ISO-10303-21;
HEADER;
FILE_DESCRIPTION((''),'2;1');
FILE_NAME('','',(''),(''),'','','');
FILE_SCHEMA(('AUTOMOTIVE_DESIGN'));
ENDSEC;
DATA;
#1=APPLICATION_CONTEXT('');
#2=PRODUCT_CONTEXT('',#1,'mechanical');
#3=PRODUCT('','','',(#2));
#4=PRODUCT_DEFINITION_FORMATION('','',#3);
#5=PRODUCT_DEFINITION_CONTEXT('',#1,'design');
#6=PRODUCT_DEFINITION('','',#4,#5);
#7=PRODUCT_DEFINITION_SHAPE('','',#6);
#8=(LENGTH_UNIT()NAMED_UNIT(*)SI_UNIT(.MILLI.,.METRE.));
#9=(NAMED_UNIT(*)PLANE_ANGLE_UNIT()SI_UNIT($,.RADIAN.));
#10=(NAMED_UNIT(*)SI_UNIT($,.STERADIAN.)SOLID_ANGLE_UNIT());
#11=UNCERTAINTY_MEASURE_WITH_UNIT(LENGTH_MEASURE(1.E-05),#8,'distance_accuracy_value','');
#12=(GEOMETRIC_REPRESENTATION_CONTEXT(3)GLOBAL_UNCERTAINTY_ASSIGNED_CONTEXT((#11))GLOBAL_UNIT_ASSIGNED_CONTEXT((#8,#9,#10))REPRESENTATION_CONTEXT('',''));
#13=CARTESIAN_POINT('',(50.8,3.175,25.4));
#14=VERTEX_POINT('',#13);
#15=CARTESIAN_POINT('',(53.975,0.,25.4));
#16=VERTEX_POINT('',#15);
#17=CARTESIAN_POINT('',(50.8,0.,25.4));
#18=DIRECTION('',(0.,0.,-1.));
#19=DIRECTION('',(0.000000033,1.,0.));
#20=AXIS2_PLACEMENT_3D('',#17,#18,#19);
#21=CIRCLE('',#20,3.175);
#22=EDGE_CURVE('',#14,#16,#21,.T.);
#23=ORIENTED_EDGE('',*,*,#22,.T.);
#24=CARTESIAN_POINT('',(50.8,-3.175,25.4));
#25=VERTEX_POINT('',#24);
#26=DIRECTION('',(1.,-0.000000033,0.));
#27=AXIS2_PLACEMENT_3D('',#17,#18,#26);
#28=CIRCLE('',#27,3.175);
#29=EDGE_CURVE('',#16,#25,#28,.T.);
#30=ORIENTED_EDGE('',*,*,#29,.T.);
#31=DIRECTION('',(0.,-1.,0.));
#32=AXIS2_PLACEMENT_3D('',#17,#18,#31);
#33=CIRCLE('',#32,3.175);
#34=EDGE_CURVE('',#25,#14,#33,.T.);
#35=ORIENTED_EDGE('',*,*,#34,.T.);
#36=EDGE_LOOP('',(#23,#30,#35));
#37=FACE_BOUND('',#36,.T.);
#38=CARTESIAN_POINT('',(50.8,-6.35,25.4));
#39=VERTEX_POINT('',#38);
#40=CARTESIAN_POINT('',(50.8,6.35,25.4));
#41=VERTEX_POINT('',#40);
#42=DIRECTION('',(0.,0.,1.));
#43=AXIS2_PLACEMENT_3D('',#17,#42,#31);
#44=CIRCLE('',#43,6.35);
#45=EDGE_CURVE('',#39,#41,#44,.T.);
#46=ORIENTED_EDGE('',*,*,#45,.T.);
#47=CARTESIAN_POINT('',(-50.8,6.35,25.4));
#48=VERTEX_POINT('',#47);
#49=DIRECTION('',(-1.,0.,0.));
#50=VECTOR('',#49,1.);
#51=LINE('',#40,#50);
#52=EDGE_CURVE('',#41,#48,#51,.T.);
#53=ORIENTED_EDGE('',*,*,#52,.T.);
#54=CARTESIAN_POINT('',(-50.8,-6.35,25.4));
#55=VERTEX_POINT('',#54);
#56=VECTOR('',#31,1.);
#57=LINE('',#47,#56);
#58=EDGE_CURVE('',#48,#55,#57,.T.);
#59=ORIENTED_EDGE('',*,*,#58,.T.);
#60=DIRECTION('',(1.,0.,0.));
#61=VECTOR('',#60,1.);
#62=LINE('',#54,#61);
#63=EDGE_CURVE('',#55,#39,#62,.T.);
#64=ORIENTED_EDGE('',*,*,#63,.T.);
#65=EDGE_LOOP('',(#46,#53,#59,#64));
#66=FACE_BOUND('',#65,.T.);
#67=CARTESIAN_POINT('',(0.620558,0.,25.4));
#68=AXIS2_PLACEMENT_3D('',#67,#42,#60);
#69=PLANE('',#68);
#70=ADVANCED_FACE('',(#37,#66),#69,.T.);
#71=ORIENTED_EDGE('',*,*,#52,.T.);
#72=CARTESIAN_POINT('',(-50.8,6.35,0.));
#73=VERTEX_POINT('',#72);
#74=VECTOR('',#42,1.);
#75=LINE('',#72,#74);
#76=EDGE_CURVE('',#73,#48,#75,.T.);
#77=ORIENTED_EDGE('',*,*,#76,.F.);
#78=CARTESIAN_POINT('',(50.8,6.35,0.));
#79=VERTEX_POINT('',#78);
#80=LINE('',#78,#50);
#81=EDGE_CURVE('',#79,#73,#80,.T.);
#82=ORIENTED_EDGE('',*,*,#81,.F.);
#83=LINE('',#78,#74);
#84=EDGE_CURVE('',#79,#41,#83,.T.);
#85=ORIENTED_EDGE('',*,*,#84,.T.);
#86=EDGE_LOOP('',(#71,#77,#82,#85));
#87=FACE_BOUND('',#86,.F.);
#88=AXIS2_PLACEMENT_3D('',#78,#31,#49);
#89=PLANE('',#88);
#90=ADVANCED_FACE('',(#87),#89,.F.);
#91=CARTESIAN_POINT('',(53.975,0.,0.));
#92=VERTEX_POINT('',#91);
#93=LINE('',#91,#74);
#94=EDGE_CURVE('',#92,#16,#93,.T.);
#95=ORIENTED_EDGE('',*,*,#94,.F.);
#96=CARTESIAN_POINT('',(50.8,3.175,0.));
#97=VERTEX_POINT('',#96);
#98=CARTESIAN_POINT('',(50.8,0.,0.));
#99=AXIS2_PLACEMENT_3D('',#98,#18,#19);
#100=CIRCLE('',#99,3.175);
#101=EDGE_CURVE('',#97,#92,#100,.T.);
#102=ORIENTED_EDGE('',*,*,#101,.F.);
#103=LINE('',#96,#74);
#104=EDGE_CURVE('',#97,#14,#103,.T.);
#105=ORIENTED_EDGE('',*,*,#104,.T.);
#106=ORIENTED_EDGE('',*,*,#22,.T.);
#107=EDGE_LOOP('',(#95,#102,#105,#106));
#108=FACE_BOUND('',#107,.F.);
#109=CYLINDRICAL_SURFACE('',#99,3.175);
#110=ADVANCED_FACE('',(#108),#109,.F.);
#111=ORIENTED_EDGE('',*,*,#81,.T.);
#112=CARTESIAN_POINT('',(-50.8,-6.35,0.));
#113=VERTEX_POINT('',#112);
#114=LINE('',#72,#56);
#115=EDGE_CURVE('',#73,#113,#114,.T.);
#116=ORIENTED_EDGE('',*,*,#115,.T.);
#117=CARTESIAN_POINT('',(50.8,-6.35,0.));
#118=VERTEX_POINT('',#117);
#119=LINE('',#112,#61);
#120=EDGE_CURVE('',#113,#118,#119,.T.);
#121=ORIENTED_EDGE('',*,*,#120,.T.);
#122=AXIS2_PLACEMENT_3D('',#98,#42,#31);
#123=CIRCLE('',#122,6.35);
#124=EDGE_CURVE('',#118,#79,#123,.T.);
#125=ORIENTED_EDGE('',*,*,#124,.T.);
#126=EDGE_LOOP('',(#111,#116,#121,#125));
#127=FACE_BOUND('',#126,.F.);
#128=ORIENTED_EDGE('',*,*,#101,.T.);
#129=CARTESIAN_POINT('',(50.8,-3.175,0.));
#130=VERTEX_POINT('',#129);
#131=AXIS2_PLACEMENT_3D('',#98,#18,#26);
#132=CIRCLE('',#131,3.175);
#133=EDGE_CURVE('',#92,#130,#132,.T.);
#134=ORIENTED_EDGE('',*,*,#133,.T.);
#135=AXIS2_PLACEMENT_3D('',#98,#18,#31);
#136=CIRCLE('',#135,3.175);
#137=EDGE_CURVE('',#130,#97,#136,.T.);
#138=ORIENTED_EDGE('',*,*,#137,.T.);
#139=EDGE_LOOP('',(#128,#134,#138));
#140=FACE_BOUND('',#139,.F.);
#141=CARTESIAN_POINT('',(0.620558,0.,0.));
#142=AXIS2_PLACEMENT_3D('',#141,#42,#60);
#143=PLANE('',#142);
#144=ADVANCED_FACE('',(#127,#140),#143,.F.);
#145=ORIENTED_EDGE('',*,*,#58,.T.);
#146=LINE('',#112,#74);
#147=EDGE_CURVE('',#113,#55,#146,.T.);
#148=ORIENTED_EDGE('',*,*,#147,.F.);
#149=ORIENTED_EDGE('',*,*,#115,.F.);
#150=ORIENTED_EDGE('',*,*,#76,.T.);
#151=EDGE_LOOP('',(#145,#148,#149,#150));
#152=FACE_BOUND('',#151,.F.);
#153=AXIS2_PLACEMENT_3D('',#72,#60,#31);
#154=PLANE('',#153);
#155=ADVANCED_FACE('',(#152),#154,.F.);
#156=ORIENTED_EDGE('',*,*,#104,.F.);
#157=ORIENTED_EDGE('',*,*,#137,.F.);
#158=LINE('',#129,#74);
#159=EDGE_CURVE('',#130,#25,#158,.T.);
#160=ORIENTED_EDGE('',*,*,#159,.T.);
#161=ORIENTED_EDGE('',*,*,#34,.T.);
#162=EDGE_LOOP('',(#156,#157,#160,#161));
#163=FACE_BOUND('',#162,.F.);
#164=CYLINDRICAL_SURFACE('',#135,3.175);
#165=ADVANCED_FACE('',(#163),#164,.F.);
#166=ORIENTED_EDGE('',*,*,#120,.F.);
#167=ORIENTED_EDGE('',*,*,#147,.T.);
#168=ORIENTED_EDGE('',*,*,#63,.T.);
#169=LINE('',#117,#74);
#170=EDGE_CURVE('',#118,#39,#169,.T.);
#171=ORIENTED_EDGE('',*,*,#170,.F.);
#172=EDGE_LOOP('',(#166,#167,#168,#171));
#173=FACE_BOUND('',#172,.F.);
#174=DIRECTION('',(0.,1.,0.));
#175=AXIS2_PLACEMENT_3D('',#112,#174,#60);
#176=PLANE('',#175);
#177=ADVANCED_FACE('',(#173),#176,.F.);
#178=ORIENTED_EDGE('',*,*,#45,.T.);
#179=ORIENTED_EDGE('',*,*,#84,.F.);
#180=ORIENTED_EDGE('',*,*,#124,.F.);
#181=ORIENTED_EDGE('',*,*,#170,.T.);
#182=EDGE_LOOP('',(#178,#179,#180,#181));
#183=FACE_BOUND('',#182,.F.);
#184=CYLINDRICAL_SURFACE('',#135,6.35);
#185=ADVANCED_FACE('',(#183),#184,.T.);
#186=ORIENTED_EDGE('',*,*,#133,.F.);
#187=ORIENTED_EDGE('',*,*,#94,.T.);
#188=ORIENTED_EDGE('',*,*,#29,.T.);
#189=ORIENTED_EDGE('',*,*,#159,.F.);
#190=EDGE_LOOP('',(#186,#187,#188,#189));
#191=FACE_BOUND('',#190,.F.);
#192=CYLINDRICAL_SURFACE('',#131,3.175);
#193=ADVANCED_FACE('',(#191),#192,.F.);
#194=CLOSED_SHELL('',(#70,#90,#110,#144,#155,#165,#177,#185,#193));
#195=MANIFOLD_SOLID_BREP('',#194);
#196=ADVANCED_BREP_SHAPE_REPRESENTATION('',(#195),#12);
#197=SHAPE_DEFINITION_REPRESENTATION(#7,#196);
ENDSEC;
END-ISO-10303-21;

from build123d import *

# Parameters (mm, degrees)
F1_DEPTH = 25.4


with BuildPart() as f1:
    # F0 (on Top) → F1 (new body)
    with BuildSketch(Plane.XY):
        with BuildLine():
            Line((50.8, 6.35), (-50.8, 6.35))
            Line((-50.8, 6.35), (-50.8, -6.35))
            Line((-50.8, -6.35), (50.8, -6.35))
            Line((50.8, -6.35), (50.8, -3.175))
            ThreePointArc((50.8, -3.175), (47.625, 0), (50.8, 3.175))
            Line((50.8, 3.175), (50.8, 6.35))
        make_face()
        with BuildLine():
            ThreePointArc((50.8, -6.35), (57.15, 0), (50.8, 6.35))
            Line((50.8, 6.35), (50.8, 3.175))
            ThreePointArc((50.8, 3.175), (53.045064, 2.245064), (53.975, 0))
            ThreePointArc((53.975, 0), (53.045064, -2.245064), (50.8, -3.175))
            Line((50.8, -3.175), (50.8, -6.35))
        make_face()
    extrude(amount=F1_DEPTH)


solid = f1.part
